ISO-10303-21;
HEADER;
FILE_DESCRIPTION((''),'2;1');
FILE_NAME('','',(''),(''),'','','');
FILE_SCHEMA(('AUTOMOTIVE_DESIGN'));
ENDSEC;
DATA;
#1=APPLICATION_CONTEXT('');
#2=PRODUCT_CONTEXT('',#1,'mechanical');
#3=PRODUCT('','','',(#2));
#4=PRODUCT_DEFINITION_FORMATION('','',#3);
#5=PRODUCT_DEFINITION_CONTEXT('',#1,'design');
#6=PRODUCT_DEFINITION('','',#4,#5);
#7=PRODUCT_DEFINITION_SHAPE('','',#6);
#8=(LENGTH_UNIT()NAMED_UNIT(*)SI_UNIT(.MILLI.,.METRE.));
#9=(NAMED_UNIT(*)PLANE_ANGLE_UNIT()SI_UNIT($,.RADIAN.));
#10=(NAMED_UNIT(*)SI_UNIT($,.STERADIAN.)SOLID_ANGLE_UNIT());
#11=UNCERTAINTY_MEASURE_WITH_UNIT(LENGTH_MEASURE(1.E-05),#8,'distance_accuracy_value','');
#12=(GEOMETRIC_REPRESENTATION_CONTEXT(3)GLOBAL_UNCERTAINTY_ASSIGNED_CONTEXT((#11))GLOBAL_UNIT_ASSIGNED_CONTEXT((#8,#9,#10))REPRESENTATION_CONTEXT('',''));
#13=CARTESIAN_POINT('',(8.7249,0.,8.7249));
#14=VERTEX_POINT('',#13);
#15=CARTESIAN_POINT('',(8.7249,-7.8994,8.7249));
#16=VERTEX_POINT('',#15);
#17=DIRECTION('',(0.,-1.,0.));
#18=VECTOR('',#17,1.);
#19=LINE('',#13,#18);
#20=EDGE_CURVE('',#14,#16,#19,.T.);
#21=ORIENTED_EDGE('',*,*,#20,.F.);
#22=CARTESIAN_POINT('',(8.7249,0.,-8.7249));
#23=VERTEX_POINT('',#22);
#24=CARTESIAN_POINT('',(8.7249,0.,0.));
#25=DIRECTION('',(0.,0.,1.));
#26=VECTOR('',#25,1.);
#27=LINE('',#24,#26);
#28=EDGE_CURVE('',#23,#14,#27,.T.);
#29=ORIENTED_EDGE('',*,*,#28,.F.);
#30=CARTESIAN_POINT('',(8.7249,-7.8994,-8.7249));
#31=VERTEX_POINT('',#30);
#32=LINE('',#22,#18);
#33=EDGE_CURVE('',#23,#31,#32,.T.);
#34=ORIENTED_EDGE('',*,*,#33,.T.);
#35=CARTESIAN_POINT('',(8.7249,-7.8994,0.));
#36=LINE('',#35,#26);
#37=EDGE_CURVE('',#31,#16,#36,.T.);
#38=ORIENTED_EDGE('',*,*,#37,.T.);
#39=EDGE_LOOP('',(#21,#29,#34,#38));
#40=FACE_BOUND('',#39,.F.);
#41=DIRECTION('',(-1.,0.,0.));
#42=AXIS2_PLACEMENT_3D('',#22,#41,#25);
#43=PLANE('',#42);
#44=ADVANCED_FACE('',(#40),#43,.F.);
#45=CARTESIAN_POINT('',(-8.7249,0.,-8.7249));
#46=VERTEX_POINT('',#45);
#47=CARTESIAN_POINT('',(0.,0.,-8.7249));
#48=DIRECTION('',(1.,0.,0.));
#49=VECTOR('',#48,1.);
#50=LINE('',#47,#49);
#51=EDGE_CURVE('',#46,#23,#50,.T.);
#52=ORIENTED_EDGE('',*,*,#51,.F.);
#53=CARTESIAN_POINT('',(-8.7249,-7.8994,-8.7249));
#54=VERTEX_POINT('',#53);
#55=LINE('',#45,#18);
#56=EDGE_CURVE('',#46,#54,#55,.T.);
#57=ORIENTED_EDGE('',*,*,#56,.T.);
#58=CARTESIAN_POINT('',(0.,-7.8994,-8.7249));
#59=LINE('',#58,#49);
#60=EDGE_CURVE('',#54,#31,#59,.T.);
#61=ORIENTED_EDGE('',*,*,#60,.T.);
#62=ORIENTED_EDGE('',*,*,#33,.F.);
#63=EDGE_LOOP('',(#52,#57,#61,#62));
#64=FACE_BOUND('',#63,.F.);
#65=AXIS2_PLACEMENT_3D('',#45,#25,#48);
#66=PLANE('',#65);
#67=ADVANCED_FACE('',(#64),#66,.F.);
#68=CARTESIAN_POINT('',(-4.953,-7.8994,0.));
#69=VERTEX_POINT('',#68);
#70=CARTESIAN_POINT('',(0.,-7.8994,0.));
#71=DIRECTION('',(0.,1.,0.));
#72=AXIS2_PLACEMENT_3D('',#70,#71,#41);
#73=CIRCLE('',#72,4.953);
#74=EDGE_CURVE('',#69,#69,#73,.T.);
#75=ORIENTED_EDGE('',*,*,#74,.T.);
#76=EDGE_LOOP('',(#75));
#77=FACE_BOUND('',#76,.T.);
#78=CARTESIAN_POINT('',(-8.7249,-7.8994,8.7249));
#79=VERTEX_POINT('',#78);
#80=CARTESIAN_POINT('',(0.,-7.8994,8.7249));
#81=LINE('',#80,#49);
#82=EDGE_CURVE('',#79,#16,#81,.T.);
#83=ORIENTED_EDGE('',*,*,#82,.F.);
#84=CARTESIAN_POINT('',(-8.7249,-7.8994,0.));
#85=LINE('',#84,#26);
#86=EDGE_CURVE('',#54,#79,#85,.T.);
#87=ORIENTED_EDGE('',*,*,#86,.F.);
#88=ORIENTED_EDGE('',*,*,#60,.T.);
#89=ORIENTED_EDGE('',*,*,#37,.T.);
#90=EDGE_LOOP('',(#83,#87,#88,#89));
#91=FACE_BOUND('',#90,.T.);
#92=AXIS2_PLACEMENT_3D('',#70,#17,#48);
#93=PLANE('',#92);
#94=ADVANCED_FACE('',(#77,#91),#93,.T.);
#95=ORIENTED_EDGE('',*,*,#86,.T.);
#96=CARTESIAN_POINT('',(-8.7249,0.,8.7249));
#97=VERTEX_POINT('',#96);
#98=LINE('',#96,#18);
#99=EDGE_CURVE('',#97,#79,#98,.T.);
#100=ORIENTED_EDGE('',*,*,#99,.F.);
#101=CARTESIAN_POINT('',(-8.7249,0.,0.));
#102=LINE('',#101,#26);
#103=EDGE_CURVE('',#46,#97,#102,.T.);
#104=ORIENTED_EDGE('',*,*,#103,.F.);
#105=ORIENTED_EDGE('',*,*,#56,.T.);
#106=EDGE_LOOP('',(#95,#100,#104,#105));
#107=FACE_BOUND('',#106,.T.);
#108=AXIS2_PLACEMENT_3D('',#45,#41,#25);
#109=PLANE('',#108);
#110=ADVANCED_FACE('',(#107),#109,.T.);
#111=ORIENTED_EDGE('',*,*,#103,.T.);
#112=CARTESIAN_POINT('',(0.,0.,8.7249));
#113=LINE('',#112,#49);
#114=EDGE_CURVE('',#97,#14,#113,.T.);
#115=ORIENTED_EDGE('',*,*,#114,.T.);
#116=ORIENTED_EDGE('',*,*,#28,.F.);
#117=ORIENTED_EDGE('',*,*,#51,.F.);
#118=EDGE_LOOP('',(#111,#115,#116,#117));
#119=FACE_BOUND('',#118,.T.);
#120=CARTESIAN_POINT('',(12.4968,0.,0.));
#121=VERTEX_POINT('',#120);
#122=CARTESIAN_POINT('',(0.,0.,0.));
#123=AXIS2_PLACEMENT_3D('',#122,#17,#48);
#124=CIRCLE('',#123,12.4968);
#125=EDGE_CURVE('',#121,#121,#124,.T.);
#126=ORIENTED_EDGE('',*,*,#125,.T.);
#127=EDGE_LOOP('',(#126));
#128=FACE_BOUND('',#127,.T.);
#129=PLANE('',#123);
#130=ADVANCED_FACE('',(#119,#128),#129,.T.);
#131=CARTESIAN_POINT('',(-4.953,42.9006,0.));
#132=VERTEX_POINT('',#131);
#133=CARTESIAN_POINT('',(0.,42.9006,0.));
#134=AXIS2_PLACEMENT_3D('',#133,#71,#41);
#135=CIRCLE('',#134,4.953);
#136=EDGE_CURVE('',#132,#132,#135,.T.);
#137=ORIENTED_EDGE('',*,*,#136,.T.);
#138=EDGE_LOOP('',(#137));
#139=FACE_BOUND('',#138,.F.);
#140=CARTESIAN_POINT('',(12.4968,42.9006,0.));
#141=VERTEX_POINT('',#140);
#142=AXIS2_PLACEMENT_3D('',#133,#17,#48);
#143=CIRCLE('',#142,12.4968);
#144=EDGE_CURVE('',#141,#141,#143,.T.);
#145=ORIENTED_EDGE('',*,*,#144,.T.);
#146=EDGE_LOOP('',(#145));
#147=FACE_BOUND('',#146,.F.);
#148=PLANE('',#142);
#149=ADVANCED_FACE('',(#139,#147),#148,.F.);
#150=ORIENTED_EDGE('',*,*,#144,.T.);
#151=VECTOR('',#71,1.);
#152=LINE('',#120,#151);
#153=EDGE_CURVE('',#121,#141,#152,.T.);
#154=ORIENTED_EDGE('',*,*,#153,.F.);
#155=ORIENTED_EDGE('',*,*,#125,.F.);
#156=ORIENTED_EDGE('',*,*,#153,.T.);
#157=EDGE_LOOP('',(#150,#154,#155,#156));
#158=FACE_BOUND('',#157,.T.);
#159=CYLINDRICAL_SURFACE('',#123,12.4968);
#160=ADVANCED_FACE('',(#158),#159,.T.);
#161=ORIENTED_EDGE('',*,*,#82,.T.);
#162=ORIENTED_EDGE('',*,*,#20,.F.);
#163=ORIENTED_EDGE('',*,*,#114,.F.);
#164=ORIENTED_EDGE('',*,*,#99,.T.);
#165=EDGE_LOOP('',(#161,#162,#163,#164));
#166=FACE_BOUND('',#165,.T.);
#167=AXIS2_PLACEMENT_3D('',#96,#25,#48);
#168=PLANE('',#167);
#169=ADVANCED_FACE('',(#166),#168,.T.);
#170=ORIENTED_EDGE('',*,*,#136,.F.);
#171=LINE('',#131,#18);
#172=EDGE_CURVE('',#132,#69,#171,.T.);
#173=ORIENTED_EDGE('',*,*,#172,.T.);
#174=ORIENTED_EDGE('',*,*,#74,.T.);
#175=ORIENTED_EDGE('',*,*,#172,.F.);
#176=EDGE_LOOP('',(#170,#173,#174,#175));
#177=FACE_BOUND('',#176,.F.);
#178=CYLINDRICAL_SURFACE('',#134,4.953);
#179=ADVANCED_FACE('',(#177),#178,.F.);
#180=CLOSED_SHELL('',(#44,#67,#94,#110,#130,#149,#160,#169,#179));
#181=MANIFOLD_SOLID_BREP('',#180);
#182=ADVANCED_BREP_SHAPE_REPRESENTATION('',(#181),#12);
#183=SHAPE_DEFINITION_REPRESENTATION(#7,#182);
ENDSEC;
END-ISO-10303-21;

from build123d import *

# Parameters (mm, degrees)
F0_R     = 12.4968
F2_DEPTH = 42.9006
F1_W     = 17.4498
F1_H     = 17.4498
F3_DEPTH = 7.8994
F4_R     = 4.953
F5_DEPTH = 76.2


with BuildPart() as f2:
    # F0 (on Front) → F2 (new body)
    with BuildSketch(Plane.XZ):
        Circle(F0_R)
    extrude(amount=-F2_DEPTH)

    # F1 (on face) → F3 (join)
    with BuildSketch(Plane.XZ):
        Rectangle(F1_W, F1_H)
    extrude(amount=F3_DEPTH)

    # F4 (on face) → F5 (cut)
    with BuildSketch(Plane(origin=(0, 42.9006, 0), x_dir=(-1, 0, 0), z_dir=(0, 1, 0))):
        Circle(F4_R)
    extrude(amount=-F5_DEPTH, mode=Mode.SUBTRACT)


solid = f2.part
